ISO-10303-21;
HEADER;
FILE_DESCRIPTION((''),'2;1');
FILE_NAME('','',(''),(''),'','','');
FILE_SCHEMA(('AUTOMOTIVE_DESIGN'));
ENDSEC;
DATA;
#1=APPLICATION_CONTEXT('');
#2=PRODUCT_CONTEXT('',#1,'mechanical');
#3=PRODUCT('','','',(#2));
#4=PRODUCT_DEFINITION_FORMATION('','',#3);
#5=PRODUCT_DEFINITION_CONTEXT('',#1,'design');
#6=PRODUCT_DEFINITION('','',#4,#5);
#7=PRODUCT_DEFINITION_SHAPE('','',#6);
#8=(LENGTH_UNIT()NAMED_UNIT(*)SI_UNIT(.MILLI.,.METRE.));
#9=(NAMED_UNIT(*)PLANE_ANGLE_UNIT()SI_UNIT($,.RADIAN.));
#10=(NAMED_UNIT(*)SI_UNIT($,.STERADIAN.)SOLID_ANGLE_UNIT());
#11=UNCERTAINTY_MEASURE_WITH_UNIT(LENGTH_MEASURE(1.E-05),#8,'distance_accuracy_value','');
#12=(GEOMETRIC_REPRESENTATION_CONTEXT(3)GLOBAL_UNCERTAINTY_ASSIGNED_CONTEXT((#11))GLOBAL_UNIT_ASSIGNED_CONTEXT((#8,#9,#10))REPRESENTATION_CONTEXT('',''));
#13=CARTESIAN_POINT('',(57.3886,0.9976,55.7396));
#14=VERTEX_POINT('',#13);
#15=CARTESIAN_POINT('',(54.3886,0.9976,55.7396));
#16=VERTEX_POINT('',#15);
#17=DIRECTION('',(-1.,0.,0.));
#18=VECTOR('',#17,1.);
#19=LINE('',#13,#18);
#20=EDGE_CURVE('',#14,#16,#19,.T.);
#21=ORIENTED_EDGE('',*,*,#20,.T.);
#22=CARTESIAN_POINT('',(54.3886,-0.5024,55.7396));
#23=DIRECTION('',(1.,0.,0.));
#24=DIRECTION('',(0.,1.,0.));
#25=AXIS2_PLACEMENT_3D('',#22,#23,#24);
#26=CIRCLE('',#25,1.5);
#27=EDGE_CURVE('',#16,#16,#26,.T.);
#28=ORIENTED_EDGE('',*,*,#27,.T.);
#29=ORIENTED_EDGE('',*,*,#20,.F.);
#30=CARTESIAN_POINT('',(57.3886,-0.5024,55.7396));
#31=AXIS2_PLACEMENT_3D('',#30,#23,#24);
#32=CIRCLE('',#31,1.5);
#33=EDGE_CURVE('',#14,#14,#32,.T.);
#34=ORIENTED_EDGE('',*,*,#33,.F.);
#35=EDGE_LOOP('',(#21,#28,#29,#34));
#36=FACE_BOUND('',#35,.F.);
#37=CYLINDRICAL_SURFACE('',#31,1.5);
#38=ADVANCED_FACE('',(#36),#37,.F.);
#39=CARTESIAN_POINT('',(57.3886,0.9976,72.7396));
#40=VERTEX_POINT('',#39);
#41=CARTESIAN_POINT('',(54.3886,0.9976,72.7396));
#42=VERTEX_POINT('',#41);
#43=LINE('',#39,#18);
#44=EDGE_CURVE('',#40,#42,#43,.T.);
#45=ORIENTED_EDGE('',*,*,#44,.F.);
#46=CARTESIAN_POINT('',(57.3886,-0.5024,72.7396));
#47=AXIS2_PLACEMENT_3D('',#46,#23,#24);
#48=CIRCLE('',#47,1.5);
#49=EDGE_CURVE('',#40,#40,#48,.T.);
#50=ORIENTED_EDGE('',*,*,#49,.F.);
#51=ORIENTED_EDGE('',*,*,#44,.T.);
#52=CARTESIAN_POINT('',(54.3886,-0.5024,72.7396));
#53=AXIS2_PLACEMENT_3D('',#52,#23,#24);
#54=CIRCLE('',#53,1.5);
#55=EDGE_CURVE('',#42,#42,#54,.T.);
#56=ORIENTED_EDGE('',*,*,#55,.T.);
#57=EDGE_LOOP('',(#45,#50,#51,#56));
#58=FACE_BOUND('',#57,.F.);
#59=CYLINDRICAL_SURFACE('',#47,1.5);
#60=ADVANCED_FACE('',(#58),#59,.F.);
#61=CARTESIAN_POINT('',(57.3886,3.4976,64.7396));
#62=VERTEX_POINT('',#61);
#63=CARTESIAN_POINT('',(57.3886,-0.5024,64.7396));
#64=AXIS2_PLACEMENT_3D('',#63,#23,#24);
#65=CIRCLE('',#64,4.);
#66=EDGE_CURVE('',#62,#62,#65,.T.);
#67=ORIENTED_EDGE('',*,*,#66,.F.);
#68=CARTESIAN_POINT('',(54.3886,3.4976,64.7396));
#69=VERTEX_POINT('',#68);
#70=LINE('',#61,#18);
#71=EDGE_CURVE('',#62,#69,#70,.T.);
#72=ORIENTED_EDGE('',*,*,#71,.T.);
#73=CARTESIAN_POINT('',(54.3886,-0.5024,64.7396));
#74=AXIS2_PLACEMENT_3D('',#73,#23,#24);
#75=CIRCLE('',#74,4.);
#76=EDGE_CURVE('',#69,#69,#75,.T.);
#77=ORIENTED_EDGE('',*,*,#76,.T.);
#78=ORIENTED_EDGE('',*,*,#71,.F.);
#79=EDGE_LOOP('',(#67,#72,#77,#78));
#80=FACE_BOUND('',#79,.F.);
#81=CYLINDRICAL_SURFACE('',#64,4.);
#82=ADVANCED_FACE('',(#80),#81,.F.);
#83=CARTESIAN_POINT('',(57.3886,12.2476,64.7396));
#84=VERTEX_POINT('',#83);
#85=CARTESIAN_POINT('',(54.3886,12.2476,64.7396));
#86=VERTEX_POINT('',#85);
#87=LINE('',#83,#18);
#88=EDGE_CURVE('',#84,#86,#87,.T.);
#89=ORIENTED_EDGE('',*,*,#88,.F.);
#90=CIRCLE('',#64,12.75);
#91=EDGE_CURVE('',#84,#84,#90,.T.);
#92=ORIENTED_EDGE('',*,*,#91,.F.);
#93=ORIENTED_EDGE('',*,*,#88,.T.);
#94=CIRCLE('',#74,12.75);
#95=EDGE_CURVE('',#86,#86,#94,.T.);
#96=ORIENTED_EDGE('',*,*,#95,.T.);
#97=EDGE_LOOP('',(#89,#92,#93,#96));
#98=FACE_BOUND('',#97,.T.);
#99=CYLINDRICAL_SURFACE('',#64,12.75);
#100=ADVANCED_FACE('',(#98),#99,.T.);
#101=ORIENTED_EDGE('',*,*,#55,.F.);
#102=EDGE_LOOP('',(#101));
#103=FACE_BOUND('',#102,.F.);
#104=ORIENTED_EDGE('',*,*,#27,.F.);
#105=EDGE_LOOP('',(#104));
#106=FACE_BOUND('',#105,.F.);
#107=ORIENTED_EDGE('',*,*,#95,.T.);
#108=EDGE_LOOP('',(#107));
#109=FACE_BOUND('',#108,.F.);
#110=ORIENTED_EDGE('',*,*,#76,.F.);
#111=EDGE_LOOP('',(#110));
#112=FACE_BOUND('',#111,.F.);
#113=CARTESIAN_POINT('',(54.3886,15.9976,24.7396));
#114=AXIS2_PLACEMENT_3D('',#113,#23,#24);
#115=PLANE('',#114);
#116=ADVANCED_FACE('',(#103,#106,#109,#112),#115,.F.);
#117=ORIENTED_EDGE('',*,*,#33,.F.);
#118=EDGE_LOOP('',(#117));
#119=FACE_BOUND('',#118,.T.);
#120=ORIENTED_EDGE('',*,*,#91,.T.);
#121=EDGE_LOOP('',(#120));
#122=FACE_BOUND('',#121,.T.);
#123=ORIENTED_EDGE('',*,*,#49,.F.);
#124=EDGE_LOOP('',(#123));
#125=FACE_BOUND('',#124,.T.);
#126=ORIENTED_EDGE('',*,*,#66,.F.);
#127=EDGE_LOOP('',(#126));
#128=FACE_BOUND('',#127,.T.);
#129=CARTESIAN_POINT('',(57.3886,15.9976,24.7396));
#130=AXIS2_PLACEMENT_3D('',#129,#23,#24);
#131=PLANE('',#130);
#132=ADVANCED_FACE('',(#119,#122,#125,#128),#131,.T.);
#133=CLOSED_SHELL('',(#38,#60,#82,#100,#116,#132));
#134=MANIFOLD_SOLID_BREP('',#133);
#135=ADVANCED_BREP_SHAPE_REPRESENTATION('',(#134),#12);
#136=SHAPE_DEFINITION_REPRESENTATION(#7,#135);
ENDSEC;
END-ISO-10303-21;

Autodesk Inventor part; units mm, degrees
ref_plane "YZ Plane" through (0, 0, 0) normal (1, 0, 0) x (0, 1, 0)
ref_plane "XZ Plane" through (0, 0, 0) normal (0, 1, 0) x (-1, 0, 0)
ref_plane "XY Plane" through (0, 0, 0) normal (0, 0, 1) x (1, 0, 0)
ref_plane "РабПлоскость1" through (57.3886, 15.9976, 24.7396) normal (1, 0, 0) x (0, 1, 0)
sketch "Эскиз1" plane through (57.3886, 15.9976, 24.7396) normal (1, 0, 0) x (0, 1, 0)
  line L0 (-3, 27.5) -> (-3, 52.5)
  circle A0 centre (-16.5, 48) radius 1.5
  circle A1 centre (-16.5, 31) radius 1.5
  circle A2 centre (-16.5, 40) radius 4
  line L1 (-3, 52.5) -> (-3, 27.5)
  line L2 (-31, 54) -> (-3, 54)
  line L3 (-3, 54) -> (-3, 40)
  line L4 (-3, 54) -> (-31, 54)
  line L5 (-31, 54) -> (-31, 26)
  line L6 (-31, 26) -> (-3, 26)
  line L7 (-3, 26) -> (-3, 54)
  circle A3 centre (-16.5, 40) radius 12.75
  point P0 (-15.9976, -24.7396)
  dimension "d12" = 28
  dimension "d15" = 25.5
extrude "Выдавливание1" add sketch "Эскиз1" against normal blind 3 contours A3
properties part number "крепёж_мотора"
